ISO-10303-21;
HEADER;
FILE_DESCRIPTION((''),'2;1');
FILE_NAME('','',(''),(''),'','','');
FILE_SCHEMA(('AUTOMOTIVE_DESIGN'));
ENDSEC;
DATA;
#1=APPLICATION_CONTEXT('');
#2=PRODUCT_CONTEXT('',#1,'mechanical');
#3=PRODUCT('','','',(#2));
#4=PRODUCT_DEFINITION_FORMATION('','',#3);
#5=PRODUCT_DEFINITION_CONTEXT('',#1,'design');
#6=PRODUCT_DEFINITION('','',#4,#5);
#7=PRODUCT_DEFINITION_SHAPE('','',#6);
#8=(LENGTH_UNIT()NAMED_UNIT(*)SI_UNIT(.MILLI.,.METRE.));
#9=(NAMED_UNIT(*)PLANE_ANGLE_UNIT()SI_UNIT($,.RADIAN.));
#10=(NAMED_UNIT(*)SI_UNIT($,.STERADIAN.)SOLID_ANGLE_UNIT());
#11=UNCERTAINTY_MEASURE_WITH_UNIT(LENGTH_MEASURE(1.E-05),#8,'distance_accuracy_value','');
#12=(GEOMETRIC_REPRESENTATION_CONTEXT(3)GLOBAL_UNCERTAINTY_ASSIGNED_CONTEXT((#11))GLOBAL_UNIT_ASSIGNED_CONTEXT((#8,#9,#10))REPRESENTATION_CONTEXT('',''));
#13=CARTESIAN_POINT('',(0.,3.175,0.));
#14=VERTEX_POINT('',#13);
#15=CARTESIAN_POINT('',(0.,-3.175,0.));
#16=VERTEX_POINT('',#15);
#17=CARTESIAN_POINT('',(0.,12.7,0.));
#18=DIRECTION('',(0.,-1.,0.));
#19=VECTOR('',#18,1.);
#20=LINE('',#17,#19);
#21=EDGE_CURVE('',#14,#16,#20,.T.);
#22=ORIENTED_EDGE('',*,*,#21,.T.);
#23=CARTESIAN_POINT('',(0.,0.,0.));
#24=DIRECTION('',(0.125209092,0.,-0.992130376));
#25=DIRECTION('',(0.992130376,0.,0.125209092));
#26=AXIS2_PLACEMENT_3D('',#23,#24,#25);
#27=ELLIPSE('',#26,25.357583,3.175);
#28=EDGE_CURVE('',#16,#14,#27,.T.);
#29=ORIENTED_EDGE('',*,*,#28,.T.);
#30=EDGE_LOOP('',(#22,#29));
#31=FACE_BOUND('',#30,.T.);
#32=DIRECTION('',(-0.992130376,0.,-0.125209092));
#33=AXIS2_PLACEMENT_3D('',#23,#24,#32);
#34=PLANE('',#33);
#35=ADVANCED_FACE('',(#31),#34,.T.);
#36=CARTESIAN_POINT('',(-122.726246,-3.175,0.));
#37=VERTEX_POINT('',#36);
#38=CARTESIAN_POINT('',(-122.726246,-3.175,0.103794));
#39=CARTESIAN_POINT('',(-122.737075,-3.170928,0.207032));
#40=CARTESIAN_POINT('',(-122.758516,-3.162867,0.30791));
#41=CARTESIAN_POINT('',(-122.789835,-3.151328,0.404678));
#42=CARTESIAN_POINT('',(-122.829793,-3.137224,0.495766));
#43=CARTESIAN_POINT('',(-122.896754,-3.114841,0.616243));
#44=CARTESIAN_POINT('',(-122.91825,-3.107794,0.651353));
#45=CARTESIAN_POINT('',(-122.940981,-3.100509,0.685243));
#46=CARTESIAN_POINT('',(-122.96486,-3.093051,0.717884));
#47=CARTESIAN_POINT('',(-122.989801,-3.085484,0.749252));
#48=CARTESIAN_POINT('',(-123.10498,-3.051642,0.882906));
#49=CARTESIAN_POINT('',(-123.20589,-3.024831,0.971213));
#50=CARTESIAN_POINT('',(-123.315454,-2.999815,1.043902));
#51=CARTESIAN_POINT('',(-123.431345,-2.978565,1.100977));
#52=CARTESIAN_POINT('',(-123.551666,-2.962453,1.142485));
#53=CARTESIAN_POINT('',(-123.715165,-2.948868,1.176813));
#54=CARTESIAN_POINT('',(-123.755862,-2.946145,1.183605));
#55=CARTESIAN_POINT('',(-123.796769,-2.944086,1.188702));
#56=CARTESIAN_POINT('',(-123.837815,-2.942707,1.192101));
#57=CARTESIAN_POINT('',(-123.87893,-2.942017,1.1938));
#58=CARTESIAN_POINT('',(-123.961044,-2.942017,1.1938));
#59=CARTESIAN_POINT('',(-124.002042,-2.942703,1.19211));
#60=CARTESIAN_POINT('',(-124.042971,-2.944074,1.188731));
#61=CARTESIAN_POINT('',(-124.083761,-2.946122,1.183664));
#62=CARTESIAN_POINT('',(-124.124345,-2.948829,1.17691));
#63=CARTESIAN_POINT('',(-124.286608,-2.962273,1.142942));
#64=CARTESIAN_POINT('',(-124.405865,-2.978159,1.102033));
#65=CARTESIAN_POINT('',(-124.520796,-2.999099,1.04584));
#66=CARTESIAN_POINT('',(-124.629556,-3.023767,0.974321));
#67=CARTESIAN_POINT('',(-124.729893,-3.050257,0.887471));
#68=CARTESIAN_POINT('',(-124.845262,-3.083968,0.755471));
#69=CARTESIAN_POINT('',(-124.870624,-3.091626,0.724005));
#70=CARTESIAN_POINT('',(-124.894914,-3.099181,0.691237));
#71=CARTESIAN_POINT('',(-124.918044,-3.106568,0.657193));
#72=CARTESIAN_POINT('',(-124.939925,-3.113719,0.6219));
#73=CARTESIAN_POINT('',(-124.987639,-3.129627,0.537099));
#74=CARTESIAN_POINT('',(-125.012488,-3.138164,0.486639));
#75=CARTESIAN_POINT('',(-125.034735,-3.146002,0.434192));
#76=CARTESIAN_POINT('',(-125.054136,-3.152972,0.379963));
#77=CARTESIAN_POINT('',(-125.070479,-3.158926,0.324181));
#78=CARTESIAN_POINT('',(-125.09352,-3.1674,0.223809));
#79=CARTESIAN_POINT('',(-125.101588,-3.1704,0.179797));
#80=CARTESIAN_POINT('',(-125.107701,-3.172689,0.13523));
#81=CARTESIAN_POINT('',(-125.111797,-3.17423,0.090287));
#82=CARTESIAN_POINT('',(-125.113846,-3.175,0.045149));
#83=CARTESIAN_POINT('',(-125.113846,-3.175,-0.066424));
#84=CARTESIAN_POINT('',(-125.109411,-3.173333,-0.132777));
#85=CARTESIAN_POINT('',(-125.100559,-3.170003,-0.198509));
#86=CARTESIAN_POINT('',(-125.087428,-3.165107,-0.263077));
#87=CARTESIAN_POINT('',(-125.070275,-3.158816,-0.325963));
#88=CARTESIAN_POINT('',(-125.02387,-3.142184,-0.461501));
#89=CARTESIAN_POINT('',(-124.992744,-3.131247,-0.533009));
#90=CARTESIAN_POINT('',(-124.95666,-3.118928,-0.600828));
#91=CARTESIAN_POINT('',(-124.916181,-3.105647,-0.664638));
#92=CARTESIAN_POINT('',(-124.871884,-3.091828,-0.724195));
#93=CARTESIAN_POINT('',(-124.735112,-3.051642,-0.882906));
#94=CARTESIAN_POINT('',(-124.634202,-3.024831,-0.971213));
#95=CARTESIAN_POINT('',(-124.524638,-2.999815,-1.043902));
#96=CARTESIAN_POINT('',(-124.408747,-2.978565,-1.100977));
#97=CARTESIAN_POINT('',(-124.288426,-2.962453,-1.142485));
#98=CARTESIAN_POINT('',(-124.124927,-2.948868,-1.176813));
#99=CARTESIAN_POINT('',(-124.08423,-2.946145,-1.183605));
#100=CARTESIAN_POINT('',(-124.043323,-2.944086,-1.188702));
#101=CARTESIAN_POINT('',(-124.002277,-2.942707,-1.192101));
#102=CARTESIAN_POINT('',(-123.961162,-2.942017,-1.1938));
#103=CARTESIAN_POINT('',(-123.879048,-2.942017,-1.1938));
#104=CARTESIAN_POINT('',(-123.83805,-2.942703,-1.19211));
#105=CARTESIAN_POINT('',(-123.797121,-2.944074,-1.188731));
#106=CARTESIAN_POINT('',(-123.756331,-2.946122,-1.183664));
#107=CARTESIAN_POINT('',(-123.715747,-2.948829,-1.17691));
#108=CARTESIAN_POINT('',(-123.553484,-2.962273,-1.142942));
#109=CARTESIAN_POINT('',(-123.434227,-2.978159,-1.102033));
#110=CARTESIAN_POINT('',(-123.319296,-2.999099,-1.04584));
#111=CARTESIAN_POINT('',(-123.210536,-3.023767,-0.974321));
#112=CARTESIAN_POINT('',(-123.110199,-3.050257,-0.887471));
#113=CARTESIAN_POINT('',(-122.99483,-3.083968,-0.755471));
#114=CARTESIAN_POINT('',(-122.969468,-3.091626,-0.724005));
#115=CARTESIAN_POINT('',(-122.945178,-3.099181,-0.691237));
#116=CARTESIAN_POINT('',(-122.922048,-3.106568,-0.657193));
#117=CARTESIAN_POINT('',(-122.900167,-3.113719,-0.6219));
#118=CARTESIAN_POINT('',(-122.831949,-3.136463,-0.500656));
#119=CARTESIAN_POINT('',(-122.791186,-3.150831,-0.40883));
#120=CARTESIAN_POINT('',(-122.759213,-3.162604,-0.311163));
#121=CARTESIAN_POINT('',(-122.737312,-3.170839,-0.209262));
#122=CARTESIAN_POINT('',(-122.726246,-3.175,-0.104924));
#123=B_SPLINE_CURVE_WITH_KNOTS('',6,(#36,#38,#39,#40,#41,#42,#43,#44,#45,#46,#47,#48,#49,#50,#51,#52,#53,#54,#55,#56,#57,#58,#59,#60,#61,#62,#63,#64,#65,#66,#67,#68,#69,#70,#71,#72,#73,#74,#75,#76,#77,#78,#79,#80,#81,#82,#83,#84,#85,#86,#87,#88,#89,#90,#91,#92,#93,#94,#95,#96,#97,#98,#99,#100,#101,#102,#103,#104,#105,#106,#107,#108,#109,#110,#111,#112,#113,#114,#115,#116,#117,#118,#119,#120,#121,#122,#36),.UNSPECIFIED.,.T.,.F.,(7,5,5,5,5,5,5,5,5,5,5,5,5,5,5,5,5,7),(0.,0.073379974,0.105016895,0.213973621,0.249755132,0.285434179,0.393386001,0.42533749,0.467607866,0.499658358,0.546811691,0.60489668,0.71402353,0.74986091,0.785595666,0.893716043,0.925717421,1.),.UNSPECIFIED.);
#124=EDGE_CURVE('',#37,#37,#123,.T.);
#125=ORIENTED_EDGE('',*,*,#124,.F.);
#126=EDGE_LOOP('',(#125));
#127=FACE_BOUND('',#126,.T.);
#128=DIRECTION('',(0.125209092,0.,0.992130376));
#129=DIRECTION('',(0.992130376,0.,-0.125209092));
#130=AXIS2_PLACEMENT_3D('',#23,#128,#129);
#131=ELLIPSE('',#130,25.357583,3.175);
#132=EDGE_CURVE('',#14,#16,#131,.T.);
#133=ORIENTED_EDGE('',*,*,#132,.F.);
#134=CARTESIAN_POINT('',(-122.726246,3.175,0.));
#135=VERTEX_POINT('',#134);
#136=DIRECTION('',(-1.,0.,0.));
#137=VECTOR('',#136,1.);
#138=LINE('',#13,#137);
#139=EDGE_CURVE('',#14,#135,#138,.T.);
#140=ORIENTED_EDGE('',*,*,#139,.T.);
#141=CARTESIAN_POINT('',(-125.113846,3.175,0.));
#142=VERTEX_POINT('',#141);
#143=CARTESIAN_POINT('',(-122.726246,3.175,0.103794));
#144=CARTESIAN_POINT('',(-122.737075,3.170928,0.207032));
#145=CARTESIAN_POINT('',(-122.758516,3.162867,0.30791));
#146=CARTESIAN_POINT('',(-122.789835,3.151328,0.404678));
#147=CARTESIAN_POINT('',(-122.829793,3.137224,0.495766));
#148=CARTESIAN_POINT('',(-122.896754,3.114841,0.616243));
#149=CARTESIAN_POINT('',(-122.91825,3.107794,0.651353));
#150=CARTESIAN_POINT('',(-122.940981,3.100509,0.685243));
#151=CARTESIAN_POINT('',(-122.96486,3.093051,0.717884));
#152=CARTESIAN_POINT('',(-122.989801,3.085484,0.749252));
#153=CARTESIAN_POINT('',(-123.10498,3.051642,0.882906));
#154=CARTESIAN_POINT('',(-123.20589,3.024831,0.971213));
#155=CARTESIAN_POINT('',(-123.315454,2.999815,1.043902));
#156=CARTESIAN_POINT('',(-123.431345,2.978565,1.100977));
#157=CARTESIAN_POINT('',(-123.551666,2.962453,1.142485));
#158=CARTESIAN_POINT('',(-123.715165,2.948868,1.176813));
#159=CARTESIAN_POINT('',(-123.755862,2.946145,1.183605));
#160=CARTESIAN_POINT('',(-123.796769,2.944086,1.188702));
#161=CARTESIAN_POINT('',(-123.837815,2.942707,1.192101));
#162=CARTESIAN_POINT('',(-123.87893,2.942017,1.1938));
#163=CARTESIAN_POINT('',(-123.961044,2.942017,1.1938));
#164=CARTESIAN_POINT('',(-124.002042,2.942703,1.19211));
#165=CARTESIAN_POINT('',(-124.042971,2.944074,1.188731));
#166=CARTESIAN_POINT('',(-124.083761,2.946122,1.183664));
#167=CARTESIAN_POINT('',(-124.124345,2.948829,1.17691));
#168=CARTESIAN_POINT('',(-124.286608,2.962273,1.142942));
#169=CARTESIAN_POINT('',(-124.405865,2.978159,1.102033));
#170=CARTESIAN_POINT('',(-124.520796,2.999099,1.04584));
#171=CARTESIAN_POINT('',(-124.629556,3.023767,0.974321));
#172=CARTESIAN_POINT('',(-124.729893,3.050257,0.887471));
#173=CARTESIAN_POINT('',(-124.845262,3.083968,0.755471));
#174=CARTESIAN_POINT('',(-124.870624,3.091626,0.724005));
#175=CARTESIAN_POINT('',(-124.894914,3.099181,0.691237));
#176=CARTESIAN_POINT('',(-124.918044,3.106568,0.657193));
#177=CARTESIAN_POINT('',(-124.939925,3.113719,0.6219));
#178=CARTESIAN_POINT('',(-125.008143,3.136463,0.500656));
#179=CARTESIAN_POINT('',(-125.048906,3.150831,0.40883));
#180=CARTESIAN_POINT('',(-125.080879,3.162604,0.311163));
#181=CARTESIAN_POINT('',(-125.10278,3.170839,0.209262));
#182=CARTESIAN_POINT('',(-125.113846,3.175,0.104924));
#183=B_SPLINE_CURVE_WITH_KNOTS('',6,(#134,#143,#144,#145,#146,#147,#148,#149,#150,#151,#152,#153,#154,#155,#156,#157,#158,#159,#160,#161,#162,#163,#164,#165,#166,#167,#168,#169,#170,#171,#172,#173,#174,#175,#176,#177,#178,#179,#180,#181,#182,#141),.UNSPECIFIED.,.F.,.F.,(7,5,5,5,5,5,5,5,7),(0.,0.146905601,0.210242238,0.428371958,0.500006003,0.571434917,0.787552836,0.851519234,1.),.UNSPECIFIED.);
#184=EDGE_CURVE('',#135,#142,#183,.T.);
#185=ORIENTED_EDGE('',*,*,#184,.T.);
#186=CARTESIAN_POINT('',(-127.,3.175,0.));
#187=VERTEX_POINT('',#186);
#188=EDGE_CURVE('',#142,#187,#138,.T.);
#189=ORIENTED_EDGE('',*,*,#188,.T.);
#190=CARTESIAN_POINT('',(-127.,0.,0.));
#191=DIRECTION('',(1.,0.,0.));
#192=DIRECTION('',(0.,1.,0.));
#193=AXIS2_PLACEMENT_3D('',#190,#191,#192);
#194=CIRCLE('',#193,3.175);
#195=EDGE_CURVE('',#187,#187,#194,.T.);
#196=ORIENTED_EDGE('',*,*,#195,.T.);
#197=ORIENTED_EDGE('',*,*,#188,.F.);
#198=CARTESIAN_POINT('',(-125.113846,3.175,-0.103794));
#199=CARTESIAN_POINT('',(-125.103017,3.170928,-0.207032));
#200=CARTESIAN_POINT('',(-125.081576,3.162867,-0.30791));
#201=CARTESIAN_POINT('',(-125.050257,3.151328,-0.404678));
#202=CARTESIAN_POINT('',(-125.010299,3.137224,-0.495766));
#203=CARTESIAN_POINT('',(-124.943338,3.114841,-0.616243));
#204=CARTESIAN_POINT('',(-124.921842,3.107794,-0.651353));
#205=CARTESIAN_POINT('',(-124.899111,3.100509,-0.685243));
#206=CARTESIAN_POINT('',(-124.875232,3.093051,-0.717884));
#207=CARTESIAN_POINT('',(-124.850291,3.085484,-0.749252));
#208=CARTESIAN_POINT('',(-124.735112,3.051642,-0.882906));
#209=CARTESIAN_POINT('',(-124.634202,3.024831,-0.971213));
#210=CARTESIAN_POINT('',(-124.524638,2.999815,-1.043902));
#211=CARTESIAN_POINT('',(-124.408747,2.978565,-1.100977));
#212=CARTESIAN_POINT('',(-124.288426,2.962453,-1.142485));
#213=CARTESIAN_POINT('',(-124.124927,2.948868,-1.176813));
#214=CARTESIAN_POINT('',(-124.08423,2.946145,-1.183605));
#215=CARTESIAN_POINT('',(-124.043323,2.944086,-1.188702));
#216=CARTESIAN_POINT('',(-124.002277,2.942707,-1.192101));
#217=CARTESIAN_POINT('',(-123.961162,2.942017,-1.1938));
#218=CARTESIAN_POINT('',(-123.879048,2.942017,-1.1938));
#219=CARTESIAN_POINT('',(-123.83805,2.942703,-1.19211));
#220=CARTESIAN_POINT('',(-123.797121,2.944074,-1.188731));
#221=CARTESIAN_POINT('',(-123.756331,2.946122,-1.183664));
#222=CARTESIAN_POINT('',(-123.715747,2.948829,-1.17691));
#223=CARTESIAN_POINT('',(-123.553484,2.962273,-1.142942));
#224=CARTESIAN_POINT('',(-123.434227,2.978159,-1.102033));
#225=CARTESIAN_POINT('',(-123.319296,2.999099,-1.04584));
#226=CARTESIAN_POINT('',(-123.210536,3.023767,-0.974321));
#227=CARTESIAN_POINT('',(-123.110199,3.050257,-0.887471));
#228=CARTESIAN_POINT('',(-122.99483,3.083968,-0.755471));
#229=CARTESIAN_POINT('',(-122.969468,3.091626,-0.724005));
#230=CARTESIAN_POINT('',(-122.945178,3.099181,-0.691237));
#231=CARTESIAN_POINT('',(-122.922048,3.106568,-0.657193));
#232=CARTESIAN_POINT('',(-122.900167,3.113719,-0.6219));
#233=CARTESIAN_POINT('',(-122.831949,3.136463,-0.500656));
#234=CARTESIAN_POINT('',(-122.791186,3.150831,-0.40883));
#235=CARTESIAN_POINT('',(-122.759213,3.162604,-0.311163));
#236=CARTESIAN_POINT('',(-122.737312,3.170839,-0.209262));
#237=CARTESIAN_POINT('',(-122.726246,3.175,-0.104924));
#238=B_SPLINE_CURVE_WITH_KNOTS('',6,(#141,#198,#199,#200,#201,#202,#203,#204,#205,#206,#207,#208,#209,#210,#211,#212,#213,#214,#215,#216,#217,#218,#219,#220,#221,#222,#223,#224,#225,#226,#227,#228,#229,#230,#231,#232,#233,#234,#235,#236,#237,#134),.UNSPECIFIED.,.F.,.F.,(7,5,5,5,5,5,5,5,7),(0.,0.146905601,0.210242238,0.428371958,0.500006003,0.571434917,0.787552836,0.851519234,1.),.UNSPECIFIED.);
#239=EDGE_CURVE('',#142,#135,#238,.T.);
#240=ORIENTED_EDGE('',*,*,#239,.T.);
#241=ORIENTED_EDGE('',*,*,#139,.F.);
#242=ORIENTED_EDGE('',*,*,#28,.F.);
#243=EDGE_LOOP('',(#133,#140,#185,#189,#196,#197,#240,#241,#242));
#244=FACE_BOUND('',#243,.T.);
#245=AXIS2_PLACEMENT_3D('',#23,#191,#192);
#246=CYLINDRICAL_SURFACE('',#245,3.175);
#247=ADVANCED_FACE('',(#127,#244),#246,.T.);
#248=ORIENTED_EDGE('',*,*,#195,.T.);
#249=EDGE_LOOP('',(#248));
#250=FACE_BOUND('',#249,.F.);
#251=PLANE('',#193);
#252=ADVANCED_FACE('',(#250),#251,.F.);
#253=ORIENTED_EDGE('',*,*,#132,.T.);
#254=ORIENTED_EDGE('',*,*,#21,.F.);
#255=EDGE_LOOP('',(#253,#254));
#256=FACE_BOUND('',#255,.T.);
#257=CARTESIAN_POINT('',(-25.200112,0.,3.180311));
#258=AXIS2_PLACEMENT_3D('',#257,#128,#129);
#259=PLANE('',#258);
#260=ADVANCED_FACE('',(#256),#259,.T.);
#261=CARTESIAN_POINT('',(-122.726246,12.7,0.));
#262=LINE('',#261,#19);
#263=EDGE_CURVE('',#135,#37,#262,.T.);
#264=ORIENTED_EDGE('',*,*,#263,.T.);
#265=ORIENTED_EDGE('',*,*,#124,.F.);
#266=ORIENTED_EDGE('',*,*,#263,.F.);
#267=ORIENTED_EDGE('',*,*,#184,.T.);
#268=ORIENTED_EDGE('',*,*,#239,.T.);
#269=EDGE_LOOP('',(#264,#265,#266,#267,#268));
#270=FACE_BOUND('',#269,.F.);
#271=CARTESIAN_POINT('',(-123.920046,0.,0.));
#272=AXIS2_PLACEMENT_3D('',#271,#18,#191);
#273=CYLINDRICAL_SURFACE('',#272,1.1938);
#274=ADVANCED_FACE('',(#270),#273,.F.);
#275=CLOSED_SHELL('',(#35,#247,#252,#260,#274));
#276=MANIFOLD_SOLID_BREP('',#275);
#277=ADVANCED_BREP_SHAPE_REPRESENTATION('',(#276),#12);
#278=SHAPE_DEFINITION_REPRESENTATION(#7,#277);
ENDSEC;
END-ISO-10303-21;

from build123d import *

# Parameters (mm, degrees)
F0_R     = 3.175
F1_DEPTH = 127
F2_R     = 1.1938
F3_DEPTH = 12.7


with BuildPart() as f1:
    # F0 (on Right) → F1 (new body)
    with BuildSketch(Plane.YZ):
        Circle(F0_R)
    extrude(amount=-F1_DEPTH)

    # F2 (on Front) → F3 (cut, symmetric)
    with BuildSketch(Plane.XZ):
        Polygon((-25.200112, 5.158313), (-25.200112, 3.180311), (0, 0), (0, 5.158313), align=None)
        Polygon((0, -5.158313), (0, 0), (-25.200112, -3.180311), (-25.200112, -5.158313), align=None)
        with Locations((-123.920046, 0)):
            Circle(F2_R)
    extrude(amount=F3_DEPTH, both=True, mode=Mode.SUBTRACT)


solid = f1.part
